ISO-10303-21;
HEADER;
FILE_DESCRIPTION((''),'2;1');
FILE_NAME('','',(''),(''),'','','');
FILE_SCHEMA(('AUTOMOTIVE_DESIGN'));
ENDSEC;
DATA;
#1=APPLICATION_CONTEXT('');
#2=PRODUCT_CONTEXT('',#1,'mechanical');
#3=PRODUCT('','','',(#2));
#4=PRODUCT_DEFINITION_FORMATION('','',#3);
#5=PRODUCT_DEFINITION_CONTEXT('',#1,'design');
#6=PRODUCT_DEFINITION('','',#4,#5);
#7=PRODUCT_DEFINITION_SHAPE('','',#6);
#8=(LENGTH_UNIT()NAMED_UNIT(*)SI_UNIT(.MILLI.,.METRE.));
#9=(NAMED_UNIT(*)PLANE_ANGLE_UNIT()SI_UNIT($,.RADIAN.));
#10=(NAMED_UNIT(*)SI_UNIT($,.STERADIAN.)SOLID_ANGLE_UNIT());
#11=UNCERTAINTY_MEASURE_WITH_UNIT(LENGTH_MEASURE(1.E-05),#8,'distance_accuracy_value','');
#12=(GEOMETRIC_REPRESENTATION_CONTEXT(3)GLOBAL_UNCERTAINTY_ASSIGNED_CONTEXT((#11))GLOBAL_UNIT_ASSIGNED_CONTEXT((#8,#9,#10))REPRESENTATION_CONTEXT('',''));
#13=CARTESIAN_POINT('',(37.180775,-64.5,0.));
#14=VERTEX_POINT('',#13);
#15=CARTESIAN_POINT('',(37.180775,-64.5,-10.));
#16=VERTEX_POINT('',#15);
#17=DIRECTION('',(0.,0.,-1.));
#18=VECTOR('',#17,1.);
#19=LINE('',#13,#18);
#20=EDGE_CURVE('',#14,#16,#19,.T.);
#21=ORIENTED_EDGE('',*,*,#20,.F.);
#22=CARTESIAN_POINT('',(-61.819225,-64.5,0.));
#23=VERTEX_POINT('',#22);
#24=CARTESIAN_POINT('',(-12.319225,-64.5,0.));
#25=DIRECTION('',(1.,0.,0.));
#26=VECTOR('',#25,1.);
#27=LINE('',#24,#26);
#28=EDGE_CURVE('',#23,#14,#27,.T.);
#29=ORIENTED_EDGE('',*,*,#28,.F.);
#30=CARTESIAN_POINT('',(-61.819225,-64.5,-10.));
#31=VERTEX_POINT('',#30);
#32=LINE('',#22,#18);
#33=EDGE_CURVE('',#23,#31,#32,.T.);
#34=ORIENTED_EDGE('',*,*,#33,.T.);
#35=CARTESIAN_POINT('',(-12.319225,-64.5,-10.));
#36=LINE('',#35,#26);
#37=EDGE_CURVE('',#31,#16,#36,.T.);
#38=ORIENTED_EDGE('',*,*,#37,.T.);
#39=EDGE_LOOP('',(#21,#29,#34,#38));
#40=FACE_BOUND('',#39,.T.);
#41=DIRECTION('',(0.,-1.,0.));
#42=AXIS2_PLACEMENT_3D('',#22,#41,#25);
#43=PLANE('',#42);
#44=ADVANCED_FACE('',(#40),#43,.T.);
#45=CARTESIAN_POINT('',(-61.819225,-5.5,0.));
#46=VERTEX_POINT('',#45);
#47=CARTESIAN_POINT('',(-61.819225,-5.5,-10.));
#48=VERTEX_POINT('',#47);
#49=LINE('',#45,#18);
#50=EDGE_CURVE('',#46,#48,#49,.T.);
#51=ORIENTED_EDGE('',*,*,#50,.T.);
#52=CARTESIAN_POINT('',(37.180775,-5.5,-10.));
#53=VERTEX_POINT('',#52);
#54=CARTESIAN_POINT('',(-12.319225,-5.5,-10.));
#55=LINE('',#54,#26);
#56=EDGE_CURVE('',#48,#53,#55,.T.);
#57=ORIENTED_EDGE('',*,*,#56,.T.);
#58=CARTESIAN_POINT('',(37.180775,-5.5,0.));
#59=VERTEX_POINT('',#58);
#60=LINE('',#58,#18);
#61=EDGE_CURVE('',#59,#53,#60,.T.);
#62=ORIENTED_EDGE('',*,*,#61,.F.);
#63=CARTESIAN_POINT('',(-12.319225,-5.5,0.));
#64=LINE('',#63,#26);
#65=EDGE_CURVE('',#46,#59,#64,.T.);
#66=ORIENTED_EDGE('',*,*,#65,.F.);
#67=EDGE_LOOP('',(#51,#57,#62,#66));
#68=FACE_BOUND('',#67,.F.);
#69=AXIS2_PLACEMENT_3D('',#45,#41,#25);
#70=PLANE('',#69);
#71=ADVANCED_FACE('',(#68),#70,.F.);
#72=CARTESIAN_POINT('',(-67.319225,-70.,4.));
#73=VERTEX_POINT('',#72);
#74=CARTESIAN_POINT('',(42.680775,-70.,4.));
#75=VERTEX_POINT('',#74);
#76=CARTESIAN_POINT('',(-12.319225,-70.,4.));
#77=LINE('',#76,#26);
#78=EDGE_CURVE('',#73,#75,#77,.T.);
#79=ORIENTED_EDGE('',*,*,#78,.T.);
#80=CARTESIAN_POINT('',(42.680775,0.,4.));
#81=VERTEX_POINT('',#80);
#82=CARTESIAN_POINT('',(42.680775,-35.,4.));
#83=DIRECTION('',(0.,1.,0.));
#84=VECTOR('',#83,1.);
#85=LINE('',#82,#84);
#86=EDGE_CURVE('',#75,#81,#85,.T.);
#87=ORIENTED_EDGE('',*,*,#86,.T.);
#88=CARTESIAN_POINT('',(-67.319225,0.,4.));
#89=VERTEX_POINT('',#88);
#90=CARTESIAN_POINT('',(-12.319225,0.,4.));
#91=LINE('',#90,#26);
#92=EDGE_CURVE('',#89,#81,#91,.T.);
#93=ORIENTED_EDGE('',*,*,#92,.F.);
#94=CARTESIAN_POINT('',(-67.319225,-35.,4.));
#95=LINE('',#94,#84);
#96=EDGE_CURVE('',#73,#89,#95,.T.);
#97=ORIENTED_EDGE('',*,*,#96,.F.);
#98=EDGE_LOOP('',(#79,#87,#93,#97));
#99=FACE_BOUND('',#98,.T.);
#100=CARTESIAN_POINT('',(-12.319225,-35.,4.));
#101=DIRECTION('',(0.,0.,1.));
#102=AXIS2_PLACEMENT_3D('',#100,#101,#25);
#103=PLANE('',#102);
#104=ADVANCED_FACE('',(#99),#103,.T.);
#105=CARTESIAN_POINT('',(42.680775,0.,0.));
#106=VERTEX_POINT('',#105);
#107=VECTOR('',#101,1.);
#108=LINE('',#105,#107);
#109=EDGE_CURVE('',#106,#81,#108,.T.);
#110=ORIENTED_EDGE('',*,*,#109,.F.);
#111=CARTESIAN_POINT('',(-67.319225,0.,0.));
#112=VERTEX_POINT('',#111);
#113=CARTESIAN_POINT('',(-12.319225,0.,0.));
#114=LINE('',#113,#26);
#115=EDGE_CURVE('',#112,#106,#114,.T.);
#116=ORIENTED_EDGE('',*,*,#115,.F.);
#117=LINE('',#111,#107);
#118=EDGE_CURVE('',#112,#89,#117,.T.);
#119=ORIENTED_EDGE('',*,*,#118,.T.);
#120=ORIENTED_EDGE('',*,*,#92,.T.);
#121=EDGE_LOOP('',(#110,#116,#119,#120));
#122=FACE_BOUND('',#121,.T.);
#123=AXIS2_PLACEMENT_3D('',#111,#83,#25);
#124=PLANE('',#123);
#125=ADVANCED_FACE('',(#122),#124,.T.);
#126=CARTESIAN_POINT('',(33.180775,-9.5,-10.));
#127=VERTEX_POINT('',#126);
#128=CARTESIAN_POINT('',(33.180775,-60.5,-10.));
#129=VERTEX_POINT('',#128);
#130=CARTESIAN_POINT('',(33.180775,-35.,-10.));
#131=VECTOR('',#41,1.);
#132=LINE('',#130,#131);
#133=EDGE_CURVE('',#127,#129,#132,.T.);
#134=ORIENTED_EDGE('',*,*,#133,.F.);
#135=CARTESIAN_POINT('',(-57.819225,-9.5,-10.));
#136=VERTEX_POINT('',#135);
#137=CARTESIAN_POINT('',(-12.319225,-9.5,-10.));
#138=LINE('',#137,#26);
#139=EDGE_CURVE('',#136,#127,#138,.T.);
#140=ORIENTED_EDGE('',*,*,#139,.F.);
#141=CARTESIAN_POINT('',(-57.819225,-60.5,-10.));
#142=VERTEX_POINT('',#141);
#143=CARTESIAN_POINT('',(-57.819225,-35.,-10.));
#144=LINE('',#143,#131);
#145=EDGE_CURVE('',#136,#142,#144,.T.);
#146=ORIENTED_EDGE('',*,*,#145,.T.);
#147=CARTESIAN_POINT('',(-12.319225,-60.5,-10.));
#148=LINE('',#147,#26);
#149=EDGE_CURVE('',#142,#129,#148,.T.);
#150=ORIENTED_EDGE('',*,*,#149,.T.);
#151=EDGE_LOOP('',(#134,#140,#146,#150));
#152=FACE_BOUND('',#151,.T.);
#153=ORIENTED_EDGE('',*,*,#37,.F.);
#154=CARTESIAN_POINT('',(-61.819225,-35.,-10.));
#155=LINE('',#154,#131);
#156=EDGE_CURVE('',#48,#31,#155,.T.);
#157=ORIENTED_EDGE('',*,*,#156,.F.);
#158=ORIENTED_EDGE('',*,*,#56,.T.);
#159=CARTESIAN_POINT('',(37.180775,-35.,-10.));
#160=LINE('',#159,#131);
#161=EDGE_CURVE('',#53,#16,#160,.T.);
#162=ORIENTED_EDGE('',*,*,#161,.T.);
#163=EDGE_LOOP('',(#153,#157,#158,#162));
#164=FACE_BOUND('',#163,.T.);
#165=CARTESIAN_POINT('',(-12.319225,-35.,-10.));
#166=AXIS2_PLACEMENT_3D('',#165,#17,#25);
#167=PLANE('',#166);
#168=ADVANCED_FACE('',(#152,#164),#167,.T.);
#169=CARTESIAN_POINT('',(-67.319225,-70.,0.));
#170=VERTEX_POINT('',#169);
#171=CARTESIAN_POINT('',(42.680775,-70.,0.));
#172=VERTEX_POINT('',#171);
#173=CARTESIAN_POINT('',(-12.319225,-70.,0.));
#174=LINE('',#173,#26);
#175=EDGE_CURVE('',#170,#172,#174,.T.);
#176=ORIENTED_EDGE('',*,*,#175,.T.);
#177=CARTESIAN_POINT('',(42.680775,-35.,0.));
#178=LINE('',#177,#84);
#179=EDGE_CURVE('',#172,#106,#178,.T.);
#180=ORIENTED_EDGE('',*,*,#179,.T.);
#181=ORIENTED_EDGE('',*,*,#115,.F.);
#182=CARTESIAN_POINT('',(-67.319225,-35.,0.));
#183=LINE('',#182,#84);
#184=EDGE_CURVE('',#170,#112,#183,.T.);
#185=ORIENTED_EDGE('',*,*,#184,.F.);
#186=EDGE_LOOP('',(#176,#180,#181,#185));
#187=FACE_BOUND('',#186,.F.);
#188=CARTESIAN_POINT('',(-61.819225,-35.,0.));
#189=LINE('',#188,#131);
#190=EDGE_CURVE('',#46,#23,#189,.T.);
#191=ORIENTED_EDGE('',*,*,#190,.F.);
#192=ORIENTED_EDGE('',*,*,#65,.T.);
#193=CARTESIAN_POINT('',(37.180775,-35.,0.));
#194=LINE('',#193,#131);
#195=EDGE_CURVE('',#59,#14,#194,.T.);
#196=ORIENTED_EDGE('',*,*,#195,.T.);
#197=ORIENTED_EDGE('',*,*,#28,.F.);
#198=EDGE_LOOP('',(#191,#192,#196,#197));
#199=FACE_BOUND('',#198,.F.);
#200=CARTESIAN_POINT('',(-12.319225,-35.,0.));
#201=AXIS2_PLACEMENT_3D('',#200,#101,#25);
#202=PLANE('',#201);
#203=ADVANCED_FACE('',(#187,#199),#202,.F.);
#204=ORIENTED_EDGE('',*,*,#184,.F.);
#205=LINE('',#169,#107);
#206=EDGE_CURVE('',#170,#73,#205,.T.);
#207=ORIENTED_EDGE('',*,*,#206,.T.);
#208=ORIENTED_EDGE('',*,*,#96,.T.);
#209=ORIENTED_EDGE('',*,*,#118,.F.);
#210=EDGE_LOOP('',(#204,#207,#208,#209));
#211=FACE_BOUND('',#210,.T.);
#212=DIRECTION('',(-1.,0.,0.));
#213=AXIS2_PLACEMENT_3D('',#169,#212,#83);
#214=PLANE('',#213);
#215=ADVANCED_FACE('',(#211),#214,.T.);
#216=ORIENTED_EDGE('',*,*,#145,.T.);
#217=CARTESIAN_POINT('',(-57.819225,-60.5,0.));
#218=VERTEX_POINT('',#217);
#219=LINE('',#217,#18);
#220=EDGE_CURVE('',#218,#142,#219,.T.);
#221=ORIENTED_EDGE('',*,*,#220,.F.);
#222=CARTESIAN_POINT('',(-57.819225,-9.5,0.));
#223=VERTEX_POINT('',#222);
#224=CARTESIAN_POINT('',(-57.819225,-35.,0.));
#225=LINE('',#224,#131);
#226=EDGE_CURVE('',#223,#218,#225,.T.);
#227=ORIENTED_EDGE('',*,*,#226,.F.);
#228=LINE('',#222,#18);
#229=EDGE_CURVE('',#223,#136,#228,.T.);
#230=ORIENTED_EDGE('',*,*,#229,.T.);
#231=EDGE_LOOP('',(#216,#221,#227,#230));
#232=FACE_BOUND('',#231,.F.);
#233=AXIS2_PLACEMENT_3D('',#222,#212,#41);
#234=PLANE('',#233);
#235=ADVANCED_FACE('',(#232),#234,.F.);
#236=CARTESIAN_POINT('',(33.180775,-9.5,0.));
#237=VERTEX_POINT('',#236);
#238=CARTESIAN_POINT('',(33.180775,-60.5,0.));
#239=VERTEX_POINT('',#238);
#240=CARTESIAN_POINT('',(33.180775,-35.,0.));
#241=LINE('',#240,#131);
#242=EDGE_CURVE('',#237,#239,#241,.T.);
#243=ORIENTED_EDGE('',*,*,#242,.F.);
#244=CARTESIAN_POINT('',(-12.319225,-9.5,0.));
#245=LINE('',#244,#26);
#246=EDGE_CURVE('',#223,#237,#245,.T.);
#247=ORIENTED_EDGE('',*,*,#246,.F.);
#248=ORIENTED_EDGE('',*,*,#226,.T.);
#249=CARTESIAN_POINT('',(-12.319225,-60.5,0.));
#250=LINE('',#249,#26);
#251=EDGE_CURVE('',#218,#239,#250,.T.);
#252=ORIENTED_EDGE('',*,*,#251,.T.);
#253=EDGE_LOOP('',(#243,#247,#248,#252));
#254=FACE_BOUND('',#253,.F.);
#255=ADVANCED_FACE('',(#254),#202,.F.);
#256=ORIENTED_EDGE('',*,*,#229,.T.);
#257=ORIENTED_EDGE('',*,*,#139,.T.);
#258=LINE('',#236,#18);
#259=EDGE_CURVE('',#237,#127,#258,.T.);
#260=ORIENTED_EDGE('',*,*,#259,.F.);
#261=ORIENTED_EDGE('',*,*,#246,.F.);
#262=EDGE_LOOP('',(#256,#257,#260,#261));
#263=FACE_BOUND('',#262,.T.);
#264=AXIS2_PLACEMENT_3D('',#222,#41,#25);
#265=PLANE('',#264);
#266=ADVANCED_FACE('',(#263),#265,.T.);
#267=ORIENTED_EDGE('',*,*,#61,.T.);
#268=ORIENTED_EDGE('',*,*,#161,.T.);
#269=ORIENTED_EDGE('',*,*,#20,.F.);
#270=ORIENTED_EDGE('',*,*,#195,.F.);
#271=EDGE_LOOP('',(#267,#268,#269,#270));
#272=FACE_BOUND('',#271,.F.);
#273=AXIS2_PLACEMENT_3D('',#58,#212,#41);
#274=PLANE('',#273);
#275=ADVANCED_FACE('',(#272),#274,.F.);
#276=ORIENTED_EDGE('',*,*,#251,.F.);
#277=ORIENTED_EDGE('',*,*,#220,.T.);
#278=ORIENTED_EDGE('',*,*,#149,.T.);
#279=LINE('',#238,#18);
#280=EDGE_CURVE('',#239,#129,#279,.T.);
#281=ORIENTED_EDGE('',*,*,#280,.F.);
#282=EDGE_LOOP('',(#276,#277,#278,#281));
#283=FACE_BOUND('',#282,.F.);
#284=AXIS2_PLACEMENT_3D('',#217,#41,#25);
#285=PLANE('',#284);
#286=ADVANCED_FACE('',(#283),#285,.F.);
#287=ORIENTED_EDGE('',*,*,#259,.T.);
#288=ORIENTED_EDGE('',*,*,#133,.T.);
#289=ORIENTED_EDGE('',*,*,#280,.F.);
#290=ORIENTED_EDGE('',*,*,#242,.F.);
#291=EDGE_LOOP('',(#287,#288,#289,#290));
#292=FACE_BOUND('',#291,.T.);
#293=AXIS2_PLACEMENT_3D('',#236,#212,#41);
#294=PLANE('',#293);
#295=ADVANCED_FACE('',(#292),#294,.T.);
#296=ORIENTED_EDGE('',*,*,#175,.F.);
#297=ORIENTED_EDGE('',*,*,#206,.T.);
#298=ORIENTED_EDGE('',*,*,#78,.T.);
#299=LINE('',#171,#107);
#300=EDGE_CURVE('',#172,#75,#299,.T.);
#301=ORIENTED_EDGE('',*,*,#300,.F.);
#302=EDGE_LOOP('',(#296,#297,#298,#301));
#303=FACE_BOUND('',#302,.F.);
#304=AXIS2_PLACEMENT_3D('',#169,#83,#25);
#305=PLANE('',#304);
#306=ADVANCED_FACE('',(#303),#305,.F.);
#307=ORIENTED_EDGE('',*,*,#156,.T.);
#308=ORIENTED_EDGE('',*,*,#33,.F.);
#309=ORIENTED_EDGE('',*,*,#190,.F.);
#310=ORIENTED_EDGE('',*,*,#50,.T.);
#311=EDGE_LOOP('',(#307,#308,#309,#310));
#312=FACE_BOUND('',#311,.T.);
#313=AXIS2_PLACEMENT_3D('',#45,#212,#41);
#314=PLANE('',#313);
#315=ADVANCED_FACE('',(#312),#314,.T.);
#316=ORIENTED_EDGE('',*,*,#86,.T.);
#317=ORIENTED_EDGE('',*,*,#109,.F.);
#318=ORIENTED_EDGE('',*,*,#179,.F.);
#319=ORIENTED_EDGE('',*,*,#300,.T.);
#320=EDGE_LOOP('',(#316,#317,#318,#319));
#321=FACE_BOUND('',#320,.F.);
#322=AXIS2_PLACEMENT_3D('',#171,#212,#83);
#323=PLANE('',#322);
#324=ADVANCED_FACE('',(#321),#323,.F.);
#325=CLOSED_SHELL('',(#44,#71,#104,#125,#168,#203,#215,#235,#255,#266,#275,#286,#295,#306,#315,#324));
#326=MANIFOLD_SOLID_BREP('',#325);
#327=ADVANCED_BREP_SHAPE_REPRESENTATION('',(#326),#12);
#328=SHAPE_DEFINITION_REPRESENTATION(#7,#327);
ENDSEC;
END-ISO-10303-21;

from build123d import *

# Parameters (mm, degrees)
F0_W     = 110
F0_H     = 70
F1_DEPTH = 4
F2_W     = 99
F2_H     = 59
F2_W_2   = 91
F2_H_2   = 51
F3_DEPTH = 10


with BuildPart() as f1:
    # F0 (on Top) → F1 (new body)
    with BuildSketch(Plane.XY):
        with Locations((-12.319225, -35)):
            Rectangle(F0_W, F0_H)
    extrude(amount=F1_DEPTH)

    # F2 (on face) → F3 (join)
    with BuildSketch(Plane(origin=(0, 0, 0), x_dir=(1, 0, 0), z_dir=(0, 0, -1))):
        with Locations((-12.319225, 35)):
            Rectangle(F2_W, F2_H)
        with Locations((-12.319225, 35)):
            Rectangle(F2_W_2, F2_H_2, mode=Mode.SUBTRACT)
    extrude(amount=F3_DEPTH)


solid = f1.part
